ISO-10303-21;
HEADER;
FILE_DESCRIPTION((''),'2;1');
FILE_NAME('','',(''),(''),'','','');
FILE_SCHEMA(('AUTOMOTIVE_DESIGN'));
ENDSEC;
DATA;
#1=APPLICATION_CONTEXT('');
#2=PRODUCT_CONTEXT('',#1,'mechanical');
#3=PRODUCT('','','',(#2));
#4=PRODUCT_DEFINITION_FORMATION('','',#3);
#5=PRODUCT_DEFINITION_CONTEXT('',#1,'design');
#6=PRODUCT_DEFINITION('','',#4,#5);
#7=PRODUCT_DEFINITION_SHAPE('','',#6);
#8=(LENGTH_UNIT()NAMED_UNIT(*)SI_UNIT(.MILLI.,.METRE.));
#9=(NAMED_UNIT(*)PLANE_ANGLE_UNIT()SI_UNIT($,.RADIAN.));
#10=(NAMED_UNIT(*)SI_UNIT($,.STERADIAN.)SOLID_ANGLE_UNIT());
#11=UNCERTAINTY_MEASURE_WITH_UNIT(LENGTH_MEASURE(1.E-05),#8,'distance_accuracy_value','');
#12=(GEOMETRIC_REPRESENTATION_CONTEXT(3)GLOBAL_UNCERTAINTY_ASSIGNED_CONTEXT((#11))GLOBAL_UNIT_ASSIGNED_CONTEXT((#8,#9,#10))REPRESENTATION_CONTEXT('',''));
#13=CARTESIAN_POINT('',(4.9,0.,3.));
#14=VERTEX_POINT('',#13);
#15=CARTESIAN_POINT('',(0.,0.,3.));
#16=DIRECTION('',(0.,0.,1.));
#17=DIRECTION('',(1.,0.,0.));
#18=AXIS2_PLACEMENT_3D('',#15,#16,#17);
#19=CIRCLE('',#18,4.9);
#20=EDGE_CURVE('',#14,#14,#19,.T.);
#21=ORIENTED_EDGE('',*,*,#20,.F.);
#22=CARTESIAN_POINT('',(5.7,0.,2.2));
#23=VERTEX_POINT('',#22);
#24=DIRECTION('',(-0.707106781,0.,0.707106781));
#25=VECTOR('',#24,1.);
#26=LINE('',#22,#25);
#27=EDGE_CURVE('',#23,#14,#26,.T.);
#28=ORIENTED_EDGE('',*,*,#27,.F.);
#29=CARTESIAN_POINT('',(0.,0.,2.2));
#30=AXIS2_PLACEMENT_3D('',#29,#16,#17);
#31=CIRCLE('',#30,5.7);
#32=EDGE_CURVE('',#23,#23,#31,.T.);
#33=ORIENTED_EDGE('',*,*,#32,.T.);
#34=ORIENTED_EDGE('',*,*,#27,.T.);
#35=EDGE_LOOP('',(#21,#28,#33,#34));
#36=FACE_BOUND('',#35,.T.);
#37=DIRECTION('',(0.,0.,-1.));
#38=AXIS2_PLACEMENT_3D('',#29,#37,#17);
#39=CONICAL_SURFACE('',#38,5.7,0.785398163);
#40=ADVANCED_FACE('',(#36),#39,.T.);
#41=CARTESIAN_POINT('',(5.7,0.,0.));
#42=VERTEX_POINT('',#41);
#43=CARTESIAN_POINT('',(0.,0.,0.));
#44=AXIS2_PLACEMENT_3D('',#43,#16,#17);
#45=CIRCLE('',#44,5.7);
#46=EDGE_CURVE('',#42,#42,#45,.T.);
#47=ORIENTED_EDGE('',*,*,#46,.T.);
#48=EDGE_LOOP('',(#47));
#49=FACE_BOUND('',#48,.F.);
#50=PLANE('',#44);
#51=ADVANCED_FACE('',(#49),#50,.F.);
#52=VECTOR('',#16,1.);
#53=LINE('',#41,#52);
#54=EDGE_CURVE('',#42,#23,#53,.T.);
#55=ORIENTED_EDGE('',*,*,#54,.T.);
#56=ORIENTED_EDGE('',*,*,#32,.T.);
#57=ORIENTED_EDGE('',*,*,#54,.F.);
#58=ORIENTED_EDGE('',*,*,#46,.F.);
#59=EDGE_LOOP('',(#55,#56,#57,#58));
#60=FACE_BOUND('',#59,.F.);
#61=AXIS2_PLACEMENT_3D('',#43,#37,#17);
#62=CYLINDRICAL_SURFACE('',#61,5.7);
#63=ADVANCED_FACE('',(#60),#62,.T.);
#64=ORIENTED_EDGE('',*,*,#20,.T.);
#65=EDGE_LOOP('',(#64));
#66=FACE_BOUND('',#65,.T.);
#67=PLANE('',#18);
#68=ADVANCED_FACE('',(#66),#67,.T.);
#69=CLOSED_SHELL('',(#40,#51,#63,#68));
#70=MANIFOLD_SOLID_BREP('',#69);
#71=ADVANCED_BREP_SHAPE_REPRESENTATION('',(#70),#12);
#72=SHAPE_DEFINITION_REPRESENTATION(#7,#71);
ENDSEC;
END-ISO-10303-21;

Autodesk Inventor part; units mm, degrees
ref_plane "YZ Plane" through (0, 0, 0) normal (1, 0, 0) x (0, 1, 0)
ref_plane "XZ Plane" through (0, 0, 0) normal (0, 1, 0) x (-1, 0, 0)
ref_plane "XY Plane" through (0, 0, 0) normal (0, 0, 1) x (1, 0, 0)
sketch "Sketch1" plane through (0, 0, 0) normal (0, 0, 1) x (1, 0, 0)
  circle A0 centre (0, 0) radius 5.7
  dimension "d0" = 11.4
extrude "Extrusion1" add sketch "Sketch1" along normal blind 3
chamfer "Chamfer1" distance 0.8 angle 45 1 edges at (-5.7, 0, 3)
properties part number "Insert1"
